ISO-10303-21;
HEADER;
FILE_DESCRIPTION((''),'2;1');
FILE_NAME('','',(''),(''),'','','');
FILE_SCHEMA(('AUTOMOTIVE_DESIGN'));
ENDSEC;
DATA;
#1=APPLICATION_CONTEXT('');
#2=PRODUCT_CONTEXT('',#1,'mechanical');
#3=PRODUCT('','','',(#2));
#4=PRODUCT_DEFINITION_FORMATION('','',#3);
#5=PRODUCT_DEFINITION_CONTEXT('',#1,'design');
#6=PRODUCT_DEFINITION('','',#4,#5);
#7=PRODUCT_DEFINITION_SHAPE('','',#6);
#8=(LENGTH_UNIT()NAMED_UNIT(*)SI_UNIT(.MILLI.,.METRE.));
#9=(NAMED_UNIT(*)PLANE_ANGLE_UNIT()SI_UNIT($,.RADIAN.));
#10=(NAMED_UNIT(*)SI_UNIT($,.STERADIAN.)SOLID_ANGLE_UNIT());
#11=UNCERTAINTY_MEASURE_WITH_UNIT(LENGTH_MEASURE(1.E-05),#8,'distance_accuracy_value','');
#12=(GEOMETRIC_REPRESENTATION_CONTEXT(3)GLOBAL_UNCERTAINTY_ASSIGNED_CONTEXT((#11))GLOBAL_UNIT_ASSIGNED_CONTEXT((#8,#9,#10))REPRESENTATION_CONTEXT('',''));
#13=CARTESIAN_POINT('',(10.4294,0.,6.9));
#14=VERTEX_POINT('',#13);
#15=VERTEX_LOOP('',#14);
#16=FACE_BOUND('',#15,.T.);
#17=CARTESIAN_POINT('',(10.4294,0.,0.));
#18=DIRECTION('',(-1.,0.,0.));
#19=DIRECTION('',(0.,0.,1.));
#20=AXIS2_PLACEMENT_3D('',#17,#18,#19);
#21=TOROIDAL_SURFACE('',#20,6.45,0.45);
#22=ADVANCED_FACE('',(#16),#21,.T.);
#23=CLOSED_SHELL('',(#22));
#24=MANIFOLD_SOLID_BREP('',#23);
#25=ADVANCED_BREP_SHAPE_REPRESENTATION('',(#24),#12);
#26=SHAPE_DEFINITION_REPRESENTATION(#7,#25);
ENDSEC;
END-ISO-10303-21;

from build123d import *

# Parameters (mm, degrees)
SKETCH3_R = 0.449999989


with BuildPart() as part:
    # Sketch3 → Revolve1 (revolve)
    with BuildSketch(Plane.XY):
        with Locations((10.429399639, 6.449999927)):
            Circle(SKETCH3_R)
    revolve(axis=Axis((0, 0, 0), (1, 0, 0)))


solid = part.part
